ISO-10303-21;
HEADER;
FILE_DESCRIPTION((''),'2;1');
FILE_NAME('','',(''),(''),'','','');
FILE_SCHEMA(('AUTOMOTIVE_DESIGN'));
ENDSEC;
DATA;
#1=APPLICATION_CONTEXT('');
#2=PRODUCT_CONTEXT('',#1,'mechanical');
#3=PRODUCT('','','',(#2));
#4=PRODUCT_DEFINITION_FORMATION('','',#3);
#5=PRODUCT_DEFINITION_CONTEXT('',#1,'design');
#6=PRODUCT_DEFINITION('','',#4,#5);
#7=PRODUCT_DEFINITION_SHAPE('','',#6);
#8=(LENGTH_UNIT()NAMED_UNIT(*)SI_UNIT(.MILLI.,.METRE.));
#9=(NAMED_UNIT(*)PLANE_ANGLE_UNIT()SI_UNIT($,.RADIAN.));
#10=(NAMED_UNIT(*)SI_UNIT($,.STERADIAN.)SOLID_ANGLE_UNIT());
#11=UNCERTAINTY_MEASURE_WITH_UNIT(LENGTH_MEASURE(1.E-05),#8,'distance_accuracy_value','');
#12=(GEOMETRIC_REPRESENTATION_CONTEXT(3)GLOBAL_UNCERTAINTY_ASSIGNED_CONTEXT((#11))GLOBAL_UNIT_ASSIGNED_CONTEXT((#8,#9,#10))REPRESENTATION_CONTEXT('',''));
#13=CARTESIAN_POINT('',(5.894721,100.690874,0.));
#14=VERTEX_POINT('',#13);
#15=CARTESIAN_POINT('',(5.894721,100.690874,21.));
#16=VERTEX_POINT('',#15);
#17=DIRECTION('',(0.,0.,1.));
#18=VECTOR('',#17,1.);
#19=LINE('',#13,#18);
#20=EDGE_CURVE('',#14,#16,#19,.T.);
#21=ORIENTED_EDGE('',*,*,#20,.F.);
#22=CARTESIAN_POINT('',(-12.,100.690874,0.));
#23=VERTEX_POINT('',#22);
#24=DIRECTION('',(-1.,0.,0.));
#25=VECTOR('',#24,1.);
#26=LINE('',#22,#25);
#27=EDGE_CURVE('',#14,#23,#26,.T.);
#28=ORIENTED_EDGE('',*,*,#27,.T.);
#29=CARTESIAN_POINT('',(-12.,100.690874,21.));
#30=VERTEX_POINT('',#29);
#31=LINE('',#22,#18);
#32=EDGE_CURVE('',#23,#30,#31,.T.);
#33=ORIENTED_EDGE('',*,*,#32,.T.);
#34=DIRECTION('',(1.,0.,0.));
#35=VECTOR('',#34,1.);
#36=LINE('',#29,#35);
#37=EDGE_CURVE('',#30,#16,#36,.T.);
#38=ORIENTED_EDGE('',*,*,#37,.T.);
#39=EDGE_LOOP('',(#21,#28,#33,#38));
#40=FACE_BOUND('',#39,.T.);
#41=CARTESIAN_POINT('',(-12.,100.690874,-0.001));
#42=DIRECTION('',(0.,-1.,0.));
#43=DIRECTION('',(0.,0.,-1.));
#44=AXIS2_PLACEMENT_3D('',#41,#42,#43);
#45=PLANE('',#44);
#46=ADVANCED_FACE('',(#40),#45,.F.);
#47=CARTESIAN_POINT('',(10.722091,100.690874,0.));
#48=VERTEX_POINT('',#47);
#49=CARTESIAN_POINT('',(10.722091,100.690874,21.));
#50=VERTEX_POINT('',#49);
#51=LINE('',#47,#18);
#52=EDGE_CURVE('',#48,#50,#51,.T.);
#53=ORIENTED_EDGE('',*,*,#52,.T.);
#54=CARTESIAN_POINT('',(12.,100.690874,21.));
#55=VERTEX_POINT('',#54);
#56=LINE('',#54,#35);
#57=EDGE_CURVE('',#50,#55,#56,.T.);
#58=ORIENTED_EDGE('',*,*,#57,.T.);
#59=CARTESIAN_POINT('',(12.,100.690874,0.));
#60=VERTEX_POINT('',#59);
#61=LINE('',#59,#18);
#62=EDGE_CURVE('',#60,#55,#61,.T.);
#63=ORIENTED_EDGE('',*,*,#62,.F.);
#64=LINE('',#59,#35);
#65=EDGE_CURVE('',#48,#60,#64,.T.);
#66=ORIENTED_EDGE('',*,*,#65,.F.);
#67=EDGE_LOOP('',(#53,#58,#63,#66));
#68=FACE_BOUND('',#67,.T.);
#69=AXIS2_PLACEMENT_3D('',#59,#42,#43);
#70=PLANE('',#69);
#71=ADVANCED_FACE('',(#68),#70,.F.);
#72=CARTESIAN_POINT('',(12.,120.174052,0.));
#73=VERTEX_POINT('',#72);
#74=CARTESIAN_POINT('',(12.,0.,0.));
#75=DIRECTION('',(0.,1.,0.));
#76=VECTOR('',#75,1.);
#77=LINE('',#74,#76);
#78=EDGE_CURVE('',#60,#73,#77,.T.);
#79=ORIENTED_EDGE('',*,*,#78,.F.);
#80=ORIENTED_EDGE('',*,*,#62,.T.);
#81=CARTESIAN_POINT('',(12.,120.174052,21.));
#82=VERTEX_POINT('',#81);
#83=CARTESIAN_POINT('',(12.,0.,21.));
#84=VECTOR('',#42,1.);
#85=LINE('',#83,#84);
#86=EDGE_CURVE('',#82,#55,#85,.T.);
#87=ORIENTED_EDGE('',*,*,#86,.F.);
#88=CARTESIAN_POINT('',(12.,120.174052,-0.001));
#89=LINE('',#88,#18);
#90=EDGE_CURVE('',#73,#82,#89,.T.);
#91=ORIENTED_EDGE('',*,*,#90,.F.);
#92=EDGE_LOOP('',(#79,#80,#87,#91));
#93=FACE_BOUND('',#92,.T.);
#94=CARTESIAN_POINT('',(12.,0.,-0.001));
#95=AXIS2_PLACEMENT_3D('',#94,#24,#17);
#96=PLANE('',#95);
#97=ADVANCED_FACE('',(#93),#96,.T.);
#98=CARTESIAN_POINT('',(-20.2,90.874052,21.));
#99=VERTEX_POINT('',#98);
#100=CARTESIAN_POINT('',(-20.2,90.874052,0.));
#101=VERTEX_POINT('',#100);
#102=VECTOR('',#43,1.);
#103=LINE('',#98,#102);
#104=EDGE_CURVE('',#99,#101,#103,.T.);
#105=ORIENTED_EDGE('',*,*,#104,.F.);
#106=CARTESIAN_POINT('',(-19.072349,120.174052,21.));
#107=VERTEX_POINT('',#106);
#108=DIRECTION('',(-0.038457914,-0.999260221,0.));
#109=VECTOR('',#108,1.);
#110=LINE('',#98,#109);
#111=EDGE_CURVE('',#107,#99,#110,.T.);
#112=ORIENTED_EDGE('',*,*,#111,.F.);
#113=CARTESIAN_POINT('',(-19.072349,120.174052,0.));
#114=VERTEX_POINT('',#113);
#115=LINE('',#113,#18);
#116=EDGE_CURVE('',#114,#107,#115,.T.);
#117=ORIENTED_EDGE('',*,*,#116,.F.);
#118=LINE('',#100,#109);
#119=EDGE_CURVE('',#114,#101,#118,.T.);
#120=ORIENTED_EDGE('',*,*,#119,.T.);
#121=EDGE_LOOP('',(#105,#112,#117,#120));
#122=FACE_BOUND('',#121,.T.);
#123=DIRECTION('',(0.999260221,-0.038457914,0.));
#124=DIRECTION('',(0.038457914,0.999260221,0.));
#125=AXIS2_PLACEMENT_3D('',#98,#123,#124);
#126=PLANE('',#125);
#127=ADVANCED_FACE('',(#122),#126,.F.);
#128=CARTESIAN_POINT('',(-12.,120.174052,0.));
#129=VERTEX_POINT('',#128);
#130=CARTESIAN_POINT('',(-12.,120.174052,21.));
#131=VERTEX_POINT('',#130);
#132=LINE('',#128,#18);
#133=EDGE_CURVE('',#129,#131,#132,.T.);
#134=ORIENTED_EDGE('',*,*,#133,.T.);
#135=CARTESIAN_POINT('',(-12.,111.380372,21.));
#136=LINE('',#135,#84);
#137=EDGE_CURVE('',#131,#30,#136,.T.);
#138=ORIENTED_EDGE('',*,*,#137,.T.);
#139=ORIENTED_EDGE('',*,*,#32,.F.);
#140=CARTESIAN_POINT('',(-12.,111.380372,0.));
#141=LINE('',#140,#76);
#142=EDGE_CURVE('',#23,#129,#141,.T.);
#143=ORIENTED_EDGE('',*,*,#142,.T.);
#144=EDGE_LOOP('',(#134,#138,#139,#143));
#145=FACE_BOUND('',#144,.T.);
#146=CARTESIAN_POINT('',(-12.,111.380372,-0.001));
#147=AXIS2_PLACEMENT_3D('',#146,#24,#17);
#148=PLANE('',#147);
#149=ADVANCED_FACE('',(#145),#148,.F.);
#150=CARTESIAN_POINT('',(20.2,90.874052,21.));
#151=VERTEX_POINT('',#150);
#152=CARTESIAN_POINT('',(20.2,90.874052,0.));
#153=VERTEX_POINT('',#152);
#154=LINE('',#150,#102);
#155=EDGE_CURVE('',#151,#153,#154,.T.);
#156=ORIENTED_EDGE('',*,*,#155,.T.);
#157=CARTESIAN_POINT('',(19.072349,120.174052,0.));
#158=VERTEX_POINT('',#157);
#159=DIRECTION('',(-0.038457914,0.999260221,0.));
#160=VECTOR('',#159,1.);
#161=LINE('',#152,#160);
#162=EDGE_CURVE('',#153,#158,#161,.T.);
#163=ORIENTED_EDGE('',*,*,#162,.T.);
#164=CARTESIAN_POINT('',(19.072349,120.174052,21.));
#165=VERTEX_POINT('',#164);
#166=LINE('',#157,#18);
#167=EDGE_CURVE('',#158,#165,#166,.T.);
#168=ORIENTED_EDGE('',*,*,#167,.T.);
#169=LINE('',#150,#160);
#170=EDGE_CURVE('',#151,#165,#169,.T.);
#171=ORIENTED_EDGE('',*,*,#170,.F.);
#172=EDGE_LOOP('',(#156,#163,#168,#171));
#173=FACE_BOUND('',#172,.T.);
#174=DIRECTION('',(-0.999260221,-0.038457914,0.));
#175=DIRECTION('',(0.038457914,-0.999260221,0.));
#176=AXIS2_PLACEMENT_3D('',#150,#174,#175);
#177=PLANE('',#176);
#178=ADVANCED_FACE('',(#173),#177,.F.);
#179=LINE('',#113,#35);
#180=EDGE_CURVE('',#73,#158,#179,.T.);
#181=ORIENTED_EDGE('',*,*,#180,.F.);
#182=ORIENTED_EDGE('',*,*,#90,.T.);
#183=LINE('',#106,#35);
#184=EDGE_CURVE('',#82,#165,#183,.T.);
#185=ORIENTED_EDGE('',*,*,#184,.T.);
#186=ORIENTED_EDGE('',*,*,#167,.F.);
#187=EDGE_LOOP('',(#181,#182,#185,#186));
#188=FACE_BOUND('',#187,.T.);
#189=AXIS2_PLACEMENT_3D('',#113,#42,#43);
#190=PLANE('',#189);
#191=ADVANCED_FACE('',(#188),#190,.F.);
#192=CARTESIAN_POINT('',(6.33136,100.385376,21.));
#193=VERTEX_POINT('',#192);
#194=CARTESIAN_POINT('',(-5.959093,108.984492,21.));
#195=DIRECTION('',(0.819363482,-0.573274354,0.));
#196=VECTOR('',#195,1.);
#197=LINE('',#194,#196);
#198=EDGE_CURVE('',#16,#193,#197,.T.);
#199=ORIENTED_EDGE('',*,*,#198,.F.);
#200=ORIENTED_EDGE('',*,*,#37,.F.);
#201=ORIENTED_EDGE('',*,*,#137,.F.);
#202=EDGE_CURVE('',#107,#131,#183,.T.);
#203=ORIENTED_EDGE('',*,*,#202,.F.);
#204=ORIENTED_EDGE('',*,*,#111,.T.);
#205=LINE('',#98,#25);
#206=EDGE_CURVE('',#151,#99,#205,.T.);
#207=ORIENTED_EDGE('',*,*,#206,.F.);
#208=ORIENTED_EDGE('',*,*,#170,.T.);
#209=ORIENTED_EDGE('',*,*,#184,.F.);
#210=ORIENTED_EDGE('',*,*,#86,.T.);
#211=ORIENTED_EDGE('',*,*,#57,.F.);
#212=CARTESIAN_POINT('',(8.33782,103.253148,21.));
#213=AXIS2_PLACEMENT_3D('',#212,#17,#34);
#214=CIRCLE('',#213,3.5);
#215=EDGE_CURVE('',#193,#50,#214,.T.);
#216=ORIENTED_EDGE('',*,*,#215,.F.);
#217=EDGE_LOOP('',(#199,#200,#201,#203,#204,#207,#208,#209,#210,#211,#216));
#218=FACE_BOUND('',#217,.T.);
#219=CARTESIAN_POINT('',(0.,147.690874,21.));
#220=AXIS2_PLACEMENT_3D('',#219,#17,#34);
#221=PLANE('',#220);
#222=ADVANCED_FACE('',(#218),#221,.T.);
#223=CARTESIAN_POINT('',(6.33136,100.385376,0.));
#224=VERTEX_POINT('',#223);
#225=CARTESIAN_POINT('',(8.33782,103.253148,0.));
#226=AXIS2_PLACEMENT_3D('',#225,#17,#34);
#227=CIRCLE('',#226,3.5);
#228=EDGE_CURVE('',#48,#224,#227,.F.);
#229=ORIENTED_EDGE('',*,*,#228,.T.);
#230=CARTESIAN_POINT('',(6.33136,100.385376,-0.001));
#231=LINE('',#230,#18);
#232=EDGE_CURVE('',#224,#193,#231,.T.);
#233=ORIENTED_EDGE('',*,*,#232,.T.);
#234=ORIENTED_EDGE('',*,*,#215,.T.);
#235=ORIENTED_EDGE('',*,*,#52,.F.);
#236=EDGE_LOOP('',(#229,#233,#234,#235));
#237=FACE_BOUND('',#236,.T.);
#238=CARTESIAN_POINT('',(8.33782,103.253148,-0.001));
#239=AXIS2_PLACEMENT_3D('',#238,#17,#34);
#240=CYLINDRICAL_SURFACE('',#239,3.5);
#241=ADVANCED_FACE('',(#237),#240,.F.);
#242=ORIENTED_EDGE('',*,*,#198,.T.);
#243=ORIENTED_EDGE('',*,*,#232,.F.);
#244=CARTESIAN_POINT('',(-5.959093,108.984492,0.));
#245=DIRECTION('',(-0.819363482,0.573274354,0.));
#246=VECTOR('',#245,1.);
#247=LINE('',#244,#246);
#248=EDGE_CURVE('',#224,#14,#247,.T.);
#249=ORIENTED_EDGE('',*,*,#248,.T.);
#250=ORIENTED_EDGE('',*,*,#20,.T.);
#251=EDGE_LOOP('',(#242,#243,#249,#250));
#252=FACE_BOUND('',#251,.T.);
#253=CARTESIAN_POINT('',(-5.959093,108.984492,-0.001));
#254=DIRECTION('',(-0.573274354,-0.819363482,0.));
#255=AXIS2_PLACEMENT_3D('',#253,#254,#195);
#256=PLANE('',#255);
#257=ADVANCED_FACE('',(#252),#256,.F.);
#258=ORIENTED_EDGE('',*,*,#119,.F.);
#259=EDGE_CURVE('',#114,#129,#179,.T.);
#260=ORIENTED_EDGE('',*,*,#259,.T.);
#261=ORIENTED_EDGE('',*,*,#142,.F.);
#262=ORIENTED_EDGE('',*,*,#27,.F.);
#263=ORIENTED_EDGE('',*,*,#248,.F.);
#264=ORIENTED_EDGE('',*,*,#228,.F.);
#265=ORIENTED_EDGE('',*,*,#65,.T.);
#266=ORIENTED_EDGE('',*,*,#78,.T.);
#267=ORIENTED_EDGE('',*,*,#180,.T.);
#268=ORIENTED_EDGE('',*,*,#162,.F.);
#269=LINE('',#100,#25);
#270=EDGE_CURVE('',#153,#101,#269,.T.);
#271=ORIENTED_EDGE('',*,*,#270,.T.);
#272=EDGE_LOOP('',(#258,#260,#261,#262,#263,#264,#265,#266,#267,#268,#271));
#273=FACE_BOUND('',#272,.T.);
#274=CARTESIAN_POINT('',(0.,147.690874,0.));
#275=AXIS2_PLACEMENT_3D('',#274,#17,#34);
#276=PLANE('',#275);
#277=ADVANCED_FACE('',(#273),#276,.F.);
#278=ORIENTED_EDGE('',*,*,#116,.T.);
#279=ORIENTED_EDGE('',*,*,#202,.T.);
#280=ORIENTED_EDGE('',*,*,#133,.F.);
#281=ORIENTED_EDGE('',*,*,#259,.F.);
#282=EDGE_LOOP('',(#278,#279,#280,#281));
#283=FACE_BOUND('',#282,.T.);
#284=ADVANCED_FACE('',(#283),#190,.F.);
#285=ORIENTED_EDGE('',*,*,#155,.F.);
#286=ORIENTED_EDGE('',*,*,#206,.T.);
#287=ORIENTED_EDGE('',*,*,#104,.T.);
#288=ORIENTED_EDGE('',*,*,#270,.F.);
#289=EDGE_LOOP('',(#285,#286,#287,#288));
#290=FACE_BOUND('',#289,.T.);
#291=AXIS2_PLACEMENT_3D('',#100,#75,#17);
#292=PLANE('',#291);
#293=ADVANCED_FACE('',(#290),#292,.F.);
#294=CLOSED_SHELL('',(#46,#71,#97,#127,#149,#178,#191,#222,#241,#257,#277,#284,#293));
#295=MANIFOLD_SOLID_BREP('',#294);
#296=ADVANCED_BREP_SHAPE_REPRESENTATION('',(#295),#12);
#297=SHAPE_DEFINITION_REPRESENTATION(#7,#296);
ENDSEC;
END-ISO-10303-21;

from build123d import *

# Parameters (mm, degrees)
SKETCH1_R               = 1.5
SKETCH1_R_2             = 3.95
MAIN_BODY_LINK_B1_DEPTH = 21
CUT_EXTRUDE1_REACH      = 170.233
PULLEYIDLER_DEPTH       = 21
FILLET1_R               = 1
SKETCH4_W               = 40.4
SKETCH4_H               = 7.4
SKETCH4_W_2             = 38.1446978
SKETCH4_H_2             = 45.516821784
CUT_EXTRUDE2_DEPTH      = 169.23348591
CUT_EXTRUDE4_DEPTH      = 124.656147707


with BuildPart() as part:
    # Sketch1 → Main Body Link B1 (new body)
    with BuildSketch(Plane.XY):
        with BuildLine():
            Line((0, 83.474052381), (9.1, 83.474052381))
            Line((9.1, 83.474052381), (9.1, 89.474052381))
            Line((9.1, 89.474052381), (11.1, 89.474052381))
            Line((11.1, 89.474052381), (11.1, 83.474052381))
            Line((11.1, 83.474052381), (20.2, 83.474052381))
            Line((20.2, 83.474052381), (20.2, 90.874052381))
            Line((20.2, 90.874052381), (17.986683974, 148.383116621))
            ThreePointArc((17.986683974, 148.383116621), (0, 165.690874165), (-17.986683974, 148.383116621))
            Line((-17.986683974, 148.383116621), (-20.2, 90.874052381))
            Line((-20.2, 90.874052381), (-20.2, 83.474052381))
            Line((-20.2, 83.474052381), (-11.1, 83.474052381))
            Line((-11.1, 83.474052381), (-11.1, 89.474052381))
            Line((-11.1, 89.474052381), (-9.1, 89.474052381))
            Line((-9.1, 89.474052381), (-9.1, 83.474052381))
            Line((-9.1, 83.474052381), (0, 83.474052381))
        make_face()
        with Locations(Location((5.2, 88.124052381, 0), (0, 0, 180))):
            Circle(SKETCH1_R, mode=Mode.SUBTRACT)
        with Locations(Location((15, 88.124052381, 0), (0, 0, 180))):
            Circle(SKETCH1_R, mode=Mode.SUBTRACT)
        with Locations(Location((-15, 88.124052381, 0), (0, 0, 180))):
            Circle(SKETCH1_R, mode=Mode.SUBTRACT)
        with Locations(Location((-5.2, 88.124052381, 0), (0, 0, 180))):
            Circle(SKETCH1_R, mode=Mode.SUBTRACT)
        with Locations(Location((0, 147.690874165, 0), (0, 0, 180))):
            Circle(SKETCH1_R_2, mode=Mode.SUBTRACT)
    extrude(amount=MAIN_BODY_LINK_B1_DEPTH)

    # Sketch2 → Cut-Extrude1 (cut, up to next)
    with BuildSketch(Plane.XY.offset(21), mode=Mode.PRIVATE) as cut_extrude1_sk1:
        Polygon((-3.278172542, 117.482670232), (12, 128.172168466), (12, 106.793171999), align=None)
    cut_extrude1_tool1 = extrude(cut_extrude1_sk1.sketch, amount=-CUT_EXTRUDE1_REACH, mode=Mode.PRIVATE) & part.part
    # Sketch2 → Cut-Extrude1 (cut, up to next)
    with BuildSketch(Plane.XY.offset(21), mode=Mode.PRIVATE) as cut_extrude1_sk2:
        with BuildLine():
            ThreePointArc((-12, 134.2744663), (-7.774454217, 131.456408925), (-2.929911079, 129.930929878))
            Line((-2.929911079, 129.930929878), (-12, 123.584968066))
            Line((-12, 123.584968066), (-12, 134.2744663))
        make_face()
    cut_extrude1_tool2 = extrude(cut_extrude1_sk2.sketch, amount=-CUT_EXTRUDE1_REACH, mode=Mode.PRIVATE) & part.part
    # Sketch2 → Cut-Extrude1 (cut, up to next)
    with BuildSketch(Plane.XY.offset(21), mode=Mode.PRIVATE) as cut_extrude1_sk3:
        Polygon((-12, 111.380372399), (-12, 100.690874165), (3.278172542, 100.690874165), align=None)
    cut_extrude1_tool3 = extrude(cut_extrude1_sk3.sketch, amount=-CUT_EXTRUDE1_REACH, mode=Mode.PRIVATE) & part.part
    add(cut_extrude1_tool1.solids().sort_by_distance((6.907276, 117.48267, 21))[0], mode=Mode.SUBTRACT)
    add(cut_extrude1_tool2.solids().sort_by_distance((-9.12997, 128.978342, 21))[0], mode=Mode.SUBTRACT)
    add(cut_extrude1_tool3.solids().sort_by_distance((-6.907276, 104.25404, 21))[0], mode=Mode.SUBTRACT)

    # Sketch3 → PulleyIdler (cut)
    with BuildSketch(Plane.XY.offset(21)):
        with BuildLine():
            Line((-5.959092644, 108.984491566), (6.331359583, 100.385376259))
            ThreePointArc((6.331359583, 100.385376259), (11.205592008, 101.246688207), (10.34428006, 106.120920631))
            Line((10.34428006, 106.120920631), (-1.946172167, 114.720035938))
            ThreePointArc((-1.946172167, 114.720035938), (-6.820404592, 113.85872399), (-5.959092644, 108.984491566))
        make_face()
    extrude(amount=-PULLEYIDLER_DEPTH, mode=Mode.SUBTRACT)

    # Fillet1
    fillet1_edges = [part.edges().sort_by_distance(p)[0] for p in [
        (-3.278172542, 117.482670232, 10.5),
        (12, 128.172168466, 10.5),
        (12, 106.793171999, 10.5),
        (-12, 134.2744663, 10.5),
        (-2.929911079, 129.930929878, 10.5),
        (-12, 123.584968066, 10.5),
        (-12, 111.380372399, 10.5),
        (3.278172542, 100.690874165, 10.5),
        (-12, 100.690874165, 10.5),
    ]]
    fillet(fillet1_edges, radius=FILLET1_R)

    # Sketch4 → Cut-Extrude2 (cut, through all)
    with BuildSketch(Plane.XY.offset(21)):
        with Locations((0, 87.174052381)):
            Rectangle(SKETCH4_W, SKETCH4_H)
        with Locations((0, 142.932463273)):
            Rectangle(SKETCH4_W_2, SKETCH4_H_2)
    extrude(amount=-CUT_EXTRUDE2_DEPTH, mode=Mode.SUBTRACT)

    # Sketch5 → Cut-Extrude4 (cut, through all)
    with BuildSketch(Plane.XY.offset(21)):
        with BuildLine():
            Line((-12, 100.690874165), (5.894720779, 100.690874165))
            Line((5.894720779, 100.690874165), (6.331359583, 100.385376259))
            ThreePointArc((6.331359583, 100.385376259), (8.580755157, 99.761589707), (10.722091306, 100.690874165))
            Line((10.722091306, 100.690874165), (12, 100.690874165))
            Line((12, 100.690874165), (12, 120.174052381))
            Line((12, 120.174052381), (-12, 120.174052381))
            Line((-12, 120.174052381), (-12, 100.690874165))
        make_face()
    extrude(amount=-CUT_EXTRUDE4_DEPTH, mode=Mode.SUBTRACT)


solid = part.part
